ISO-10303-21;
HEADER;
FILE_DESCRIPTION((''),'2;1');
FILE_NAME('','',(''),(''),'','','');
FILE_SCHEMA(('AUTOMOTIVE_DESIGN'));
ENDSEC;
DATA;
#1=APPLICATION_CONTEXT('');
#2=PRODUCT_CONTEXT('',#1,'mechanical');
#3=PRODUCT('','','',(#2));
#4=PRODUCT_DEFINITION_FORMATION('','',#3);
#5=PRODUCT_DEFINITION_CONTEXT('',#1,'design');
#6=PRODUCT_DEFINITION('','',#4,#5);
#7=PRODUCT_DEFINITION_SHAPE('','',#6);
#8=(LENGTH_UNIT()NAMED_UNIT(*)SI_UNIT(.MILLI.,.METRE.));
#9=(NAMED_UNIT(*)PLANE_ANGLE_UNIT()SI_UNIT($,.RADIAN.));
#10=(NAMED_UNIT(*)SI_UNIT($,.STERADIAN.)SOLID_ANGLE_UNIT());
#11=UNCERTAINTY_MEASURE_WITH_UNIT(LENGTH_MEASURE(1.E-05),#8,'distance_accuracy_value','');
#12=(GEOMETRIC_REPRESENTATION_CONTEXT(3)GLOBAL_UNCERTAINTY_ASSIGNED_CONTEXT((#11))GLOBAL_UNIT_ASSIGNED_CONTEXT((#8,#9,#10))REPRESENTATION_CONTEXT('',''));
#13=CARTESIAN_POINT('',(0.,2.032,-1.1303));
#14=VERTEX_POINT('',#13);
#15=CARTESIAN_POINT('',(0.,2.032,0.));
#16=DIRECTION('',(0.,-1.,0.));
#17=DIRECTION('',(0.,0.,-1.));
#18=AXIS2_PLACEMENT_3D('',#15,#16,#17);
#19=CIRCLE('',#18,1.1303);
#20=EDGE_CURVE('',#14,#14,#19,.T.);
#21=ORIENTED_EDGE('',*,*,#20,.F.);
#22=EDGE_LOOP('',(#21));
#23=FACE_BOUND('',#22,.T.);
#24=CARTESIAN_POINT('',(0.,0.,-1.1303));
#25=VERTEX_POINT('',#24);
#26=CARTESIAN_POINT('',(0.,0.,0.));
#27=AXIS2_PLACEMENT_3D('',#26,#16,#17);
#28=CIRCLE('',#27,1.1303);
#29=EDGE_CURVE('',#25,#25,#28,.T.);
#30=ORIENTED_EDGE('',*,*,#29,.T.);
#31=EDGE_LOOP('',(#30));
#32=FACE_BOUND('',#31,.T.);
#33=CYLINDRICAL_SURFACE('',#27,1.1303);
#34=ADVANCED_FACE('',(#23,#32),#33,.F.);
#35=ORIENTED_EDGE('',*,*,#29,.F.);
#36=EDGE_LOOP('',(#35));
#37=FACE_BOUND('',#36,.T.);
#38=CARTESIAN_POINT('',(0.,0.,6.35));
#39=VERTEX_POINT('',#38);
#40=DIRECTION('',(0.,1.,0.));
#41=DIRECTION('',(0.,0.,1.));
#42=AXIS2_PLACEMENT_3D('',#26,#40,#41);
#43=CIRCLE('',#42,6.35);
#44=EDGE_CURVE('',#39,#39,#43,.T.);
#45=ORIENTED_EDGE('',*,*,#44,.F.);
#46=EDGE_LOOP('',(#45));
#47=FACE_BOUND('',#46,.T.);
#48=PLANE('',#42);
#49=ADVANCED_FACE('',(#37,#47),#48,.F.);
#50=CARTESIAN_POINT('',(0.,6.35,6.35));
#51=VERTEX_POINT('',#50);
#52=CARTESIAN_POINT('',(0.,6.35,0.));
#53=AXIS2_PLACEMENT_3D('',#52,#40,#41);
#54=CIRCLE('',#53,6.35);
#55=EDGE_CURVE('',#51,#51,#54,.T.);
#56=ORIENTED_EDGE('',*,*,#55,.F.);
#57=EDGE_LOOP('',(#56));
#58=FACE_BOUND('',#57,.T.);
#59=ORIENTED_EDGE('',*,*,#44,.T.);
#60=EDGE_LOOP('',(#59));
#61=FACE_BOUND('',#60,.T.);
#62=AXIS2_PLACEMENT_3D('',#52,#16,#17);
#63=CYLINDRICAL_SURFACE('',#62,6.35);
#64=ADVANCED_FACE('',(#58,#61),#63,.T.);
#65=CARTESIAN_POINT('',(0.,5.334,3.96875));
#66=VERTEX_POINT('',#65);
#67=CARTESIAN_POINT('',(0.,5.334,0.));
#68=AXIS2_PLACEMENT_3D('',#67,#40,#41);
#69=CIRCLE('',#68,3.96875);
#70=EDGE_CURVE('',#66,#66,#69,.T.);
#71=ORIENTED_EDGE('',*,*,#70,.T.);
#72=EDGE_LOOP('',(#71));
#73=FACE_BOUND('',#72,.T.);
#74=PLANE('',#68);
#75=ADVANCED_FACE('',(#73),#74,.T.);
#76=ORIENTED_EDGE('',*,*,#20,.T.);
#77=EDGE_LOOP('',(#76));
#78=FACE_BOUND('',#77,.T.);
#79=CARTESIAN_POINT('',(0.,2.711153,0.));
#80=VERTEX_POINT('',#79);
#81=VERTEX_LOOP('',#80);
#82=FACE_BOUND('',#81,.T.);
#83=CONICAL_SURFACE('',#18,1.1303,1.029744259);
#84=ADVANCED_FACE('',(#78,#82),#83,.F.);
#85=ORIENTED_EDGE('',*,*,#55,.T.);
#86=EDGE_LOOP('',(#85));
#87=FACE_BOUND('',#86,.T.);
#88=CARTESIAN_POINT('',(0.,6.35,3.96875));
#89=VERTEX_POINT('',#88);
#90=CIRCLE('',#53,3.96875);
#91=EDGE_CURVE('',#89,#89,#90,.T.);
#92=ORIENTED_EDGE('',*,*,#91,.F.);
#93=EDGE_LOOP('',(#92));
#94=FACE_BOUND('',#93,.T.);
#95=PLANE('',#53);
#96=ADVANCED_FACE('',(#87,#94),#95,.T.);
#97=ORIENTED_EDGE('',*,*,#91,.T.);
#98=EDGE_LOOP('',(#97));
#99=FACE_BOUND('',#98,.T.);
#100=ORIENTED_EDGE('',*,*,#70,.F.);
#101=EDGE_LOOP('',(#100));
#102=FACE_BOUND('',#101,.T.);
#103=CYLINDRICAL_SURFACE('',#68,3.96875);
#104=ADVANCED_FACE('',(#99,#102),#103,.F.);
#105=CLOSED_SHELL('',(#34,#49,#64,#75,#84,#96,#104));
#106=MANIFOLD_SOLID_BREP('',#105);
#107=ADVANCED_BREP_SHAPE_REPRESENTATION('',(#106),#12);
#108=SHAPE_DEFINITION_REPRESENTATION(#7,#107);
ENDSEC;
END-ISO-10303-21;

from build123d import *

# Parameters (mm, degrees)
SKETCH1_R                 = 6.35
BOSS_EXTRUDE1_DEPTH       = 6.35
SKETCH2_R                 = 3.96875
CUT_EXTRUDE1_DEPTH        = 1.016
F_4_40_TAPPED_HOLE1_D     = 2.2606
F_4_40_TAPPED_HOLE1_DEPTH = 2.032
F_4_40_TAPPED_HOLE1_TIP   = 0.679152758


with BuildPart() as part:
    # Sketch1 → Boss-Extrude1 (new body)
    with BuildSketch(Plane(origin=(0, 0, 0), x_dir=(1, 0, 0), z_dir=(0, 1, 0))):
        with Locations(Location((0, 0, 0), (0, 0, 270))):
            Circle(SKETCH1_R)
    extrude(amount=BOSS_EXTRUDE1_DEPTH)

    # Sketch2 → Cut-Extrude1 (cut)
    with BuildSketch(Plane(origin=(0, 6.35, 0), x_dir=(1, 0, 0), z_dir=(0, 1, 0))):
        with Locations(Location((0, 0, 0), (0, 0, 270))):
            Circle(SKETCH2_R)
    extrude(amount=-CUT_EXTRUDE1_DEPTH, mode=Mode.SUBTRACT)

    # #4-40 Tapped Hole1
    with Locations(Plane(origin=(0, 0, 0), x_dir=(-1, 0, 0), z_dir=(0, -1, 0))):
        with Locations((0, 0)):
            Hole(F_4_40_TAPPED_HOLE1_D / 2, depth=F_4_40_TAPPED_HOLE1_DEPTH)
            with Locations((0, 0, -(F_4_40_TAPPED_HOLE1_DEPTH + F_4_40_TAPPED_HOLE1_TIP / 2))):  # 118° drill point
                Cone(0, F_4_40_TAPPED_HOLE1_D / 2, F_4_40_TAPPED_HOLE1_TIP, mode=Mode.SUBTRACT)


solid = part.part
